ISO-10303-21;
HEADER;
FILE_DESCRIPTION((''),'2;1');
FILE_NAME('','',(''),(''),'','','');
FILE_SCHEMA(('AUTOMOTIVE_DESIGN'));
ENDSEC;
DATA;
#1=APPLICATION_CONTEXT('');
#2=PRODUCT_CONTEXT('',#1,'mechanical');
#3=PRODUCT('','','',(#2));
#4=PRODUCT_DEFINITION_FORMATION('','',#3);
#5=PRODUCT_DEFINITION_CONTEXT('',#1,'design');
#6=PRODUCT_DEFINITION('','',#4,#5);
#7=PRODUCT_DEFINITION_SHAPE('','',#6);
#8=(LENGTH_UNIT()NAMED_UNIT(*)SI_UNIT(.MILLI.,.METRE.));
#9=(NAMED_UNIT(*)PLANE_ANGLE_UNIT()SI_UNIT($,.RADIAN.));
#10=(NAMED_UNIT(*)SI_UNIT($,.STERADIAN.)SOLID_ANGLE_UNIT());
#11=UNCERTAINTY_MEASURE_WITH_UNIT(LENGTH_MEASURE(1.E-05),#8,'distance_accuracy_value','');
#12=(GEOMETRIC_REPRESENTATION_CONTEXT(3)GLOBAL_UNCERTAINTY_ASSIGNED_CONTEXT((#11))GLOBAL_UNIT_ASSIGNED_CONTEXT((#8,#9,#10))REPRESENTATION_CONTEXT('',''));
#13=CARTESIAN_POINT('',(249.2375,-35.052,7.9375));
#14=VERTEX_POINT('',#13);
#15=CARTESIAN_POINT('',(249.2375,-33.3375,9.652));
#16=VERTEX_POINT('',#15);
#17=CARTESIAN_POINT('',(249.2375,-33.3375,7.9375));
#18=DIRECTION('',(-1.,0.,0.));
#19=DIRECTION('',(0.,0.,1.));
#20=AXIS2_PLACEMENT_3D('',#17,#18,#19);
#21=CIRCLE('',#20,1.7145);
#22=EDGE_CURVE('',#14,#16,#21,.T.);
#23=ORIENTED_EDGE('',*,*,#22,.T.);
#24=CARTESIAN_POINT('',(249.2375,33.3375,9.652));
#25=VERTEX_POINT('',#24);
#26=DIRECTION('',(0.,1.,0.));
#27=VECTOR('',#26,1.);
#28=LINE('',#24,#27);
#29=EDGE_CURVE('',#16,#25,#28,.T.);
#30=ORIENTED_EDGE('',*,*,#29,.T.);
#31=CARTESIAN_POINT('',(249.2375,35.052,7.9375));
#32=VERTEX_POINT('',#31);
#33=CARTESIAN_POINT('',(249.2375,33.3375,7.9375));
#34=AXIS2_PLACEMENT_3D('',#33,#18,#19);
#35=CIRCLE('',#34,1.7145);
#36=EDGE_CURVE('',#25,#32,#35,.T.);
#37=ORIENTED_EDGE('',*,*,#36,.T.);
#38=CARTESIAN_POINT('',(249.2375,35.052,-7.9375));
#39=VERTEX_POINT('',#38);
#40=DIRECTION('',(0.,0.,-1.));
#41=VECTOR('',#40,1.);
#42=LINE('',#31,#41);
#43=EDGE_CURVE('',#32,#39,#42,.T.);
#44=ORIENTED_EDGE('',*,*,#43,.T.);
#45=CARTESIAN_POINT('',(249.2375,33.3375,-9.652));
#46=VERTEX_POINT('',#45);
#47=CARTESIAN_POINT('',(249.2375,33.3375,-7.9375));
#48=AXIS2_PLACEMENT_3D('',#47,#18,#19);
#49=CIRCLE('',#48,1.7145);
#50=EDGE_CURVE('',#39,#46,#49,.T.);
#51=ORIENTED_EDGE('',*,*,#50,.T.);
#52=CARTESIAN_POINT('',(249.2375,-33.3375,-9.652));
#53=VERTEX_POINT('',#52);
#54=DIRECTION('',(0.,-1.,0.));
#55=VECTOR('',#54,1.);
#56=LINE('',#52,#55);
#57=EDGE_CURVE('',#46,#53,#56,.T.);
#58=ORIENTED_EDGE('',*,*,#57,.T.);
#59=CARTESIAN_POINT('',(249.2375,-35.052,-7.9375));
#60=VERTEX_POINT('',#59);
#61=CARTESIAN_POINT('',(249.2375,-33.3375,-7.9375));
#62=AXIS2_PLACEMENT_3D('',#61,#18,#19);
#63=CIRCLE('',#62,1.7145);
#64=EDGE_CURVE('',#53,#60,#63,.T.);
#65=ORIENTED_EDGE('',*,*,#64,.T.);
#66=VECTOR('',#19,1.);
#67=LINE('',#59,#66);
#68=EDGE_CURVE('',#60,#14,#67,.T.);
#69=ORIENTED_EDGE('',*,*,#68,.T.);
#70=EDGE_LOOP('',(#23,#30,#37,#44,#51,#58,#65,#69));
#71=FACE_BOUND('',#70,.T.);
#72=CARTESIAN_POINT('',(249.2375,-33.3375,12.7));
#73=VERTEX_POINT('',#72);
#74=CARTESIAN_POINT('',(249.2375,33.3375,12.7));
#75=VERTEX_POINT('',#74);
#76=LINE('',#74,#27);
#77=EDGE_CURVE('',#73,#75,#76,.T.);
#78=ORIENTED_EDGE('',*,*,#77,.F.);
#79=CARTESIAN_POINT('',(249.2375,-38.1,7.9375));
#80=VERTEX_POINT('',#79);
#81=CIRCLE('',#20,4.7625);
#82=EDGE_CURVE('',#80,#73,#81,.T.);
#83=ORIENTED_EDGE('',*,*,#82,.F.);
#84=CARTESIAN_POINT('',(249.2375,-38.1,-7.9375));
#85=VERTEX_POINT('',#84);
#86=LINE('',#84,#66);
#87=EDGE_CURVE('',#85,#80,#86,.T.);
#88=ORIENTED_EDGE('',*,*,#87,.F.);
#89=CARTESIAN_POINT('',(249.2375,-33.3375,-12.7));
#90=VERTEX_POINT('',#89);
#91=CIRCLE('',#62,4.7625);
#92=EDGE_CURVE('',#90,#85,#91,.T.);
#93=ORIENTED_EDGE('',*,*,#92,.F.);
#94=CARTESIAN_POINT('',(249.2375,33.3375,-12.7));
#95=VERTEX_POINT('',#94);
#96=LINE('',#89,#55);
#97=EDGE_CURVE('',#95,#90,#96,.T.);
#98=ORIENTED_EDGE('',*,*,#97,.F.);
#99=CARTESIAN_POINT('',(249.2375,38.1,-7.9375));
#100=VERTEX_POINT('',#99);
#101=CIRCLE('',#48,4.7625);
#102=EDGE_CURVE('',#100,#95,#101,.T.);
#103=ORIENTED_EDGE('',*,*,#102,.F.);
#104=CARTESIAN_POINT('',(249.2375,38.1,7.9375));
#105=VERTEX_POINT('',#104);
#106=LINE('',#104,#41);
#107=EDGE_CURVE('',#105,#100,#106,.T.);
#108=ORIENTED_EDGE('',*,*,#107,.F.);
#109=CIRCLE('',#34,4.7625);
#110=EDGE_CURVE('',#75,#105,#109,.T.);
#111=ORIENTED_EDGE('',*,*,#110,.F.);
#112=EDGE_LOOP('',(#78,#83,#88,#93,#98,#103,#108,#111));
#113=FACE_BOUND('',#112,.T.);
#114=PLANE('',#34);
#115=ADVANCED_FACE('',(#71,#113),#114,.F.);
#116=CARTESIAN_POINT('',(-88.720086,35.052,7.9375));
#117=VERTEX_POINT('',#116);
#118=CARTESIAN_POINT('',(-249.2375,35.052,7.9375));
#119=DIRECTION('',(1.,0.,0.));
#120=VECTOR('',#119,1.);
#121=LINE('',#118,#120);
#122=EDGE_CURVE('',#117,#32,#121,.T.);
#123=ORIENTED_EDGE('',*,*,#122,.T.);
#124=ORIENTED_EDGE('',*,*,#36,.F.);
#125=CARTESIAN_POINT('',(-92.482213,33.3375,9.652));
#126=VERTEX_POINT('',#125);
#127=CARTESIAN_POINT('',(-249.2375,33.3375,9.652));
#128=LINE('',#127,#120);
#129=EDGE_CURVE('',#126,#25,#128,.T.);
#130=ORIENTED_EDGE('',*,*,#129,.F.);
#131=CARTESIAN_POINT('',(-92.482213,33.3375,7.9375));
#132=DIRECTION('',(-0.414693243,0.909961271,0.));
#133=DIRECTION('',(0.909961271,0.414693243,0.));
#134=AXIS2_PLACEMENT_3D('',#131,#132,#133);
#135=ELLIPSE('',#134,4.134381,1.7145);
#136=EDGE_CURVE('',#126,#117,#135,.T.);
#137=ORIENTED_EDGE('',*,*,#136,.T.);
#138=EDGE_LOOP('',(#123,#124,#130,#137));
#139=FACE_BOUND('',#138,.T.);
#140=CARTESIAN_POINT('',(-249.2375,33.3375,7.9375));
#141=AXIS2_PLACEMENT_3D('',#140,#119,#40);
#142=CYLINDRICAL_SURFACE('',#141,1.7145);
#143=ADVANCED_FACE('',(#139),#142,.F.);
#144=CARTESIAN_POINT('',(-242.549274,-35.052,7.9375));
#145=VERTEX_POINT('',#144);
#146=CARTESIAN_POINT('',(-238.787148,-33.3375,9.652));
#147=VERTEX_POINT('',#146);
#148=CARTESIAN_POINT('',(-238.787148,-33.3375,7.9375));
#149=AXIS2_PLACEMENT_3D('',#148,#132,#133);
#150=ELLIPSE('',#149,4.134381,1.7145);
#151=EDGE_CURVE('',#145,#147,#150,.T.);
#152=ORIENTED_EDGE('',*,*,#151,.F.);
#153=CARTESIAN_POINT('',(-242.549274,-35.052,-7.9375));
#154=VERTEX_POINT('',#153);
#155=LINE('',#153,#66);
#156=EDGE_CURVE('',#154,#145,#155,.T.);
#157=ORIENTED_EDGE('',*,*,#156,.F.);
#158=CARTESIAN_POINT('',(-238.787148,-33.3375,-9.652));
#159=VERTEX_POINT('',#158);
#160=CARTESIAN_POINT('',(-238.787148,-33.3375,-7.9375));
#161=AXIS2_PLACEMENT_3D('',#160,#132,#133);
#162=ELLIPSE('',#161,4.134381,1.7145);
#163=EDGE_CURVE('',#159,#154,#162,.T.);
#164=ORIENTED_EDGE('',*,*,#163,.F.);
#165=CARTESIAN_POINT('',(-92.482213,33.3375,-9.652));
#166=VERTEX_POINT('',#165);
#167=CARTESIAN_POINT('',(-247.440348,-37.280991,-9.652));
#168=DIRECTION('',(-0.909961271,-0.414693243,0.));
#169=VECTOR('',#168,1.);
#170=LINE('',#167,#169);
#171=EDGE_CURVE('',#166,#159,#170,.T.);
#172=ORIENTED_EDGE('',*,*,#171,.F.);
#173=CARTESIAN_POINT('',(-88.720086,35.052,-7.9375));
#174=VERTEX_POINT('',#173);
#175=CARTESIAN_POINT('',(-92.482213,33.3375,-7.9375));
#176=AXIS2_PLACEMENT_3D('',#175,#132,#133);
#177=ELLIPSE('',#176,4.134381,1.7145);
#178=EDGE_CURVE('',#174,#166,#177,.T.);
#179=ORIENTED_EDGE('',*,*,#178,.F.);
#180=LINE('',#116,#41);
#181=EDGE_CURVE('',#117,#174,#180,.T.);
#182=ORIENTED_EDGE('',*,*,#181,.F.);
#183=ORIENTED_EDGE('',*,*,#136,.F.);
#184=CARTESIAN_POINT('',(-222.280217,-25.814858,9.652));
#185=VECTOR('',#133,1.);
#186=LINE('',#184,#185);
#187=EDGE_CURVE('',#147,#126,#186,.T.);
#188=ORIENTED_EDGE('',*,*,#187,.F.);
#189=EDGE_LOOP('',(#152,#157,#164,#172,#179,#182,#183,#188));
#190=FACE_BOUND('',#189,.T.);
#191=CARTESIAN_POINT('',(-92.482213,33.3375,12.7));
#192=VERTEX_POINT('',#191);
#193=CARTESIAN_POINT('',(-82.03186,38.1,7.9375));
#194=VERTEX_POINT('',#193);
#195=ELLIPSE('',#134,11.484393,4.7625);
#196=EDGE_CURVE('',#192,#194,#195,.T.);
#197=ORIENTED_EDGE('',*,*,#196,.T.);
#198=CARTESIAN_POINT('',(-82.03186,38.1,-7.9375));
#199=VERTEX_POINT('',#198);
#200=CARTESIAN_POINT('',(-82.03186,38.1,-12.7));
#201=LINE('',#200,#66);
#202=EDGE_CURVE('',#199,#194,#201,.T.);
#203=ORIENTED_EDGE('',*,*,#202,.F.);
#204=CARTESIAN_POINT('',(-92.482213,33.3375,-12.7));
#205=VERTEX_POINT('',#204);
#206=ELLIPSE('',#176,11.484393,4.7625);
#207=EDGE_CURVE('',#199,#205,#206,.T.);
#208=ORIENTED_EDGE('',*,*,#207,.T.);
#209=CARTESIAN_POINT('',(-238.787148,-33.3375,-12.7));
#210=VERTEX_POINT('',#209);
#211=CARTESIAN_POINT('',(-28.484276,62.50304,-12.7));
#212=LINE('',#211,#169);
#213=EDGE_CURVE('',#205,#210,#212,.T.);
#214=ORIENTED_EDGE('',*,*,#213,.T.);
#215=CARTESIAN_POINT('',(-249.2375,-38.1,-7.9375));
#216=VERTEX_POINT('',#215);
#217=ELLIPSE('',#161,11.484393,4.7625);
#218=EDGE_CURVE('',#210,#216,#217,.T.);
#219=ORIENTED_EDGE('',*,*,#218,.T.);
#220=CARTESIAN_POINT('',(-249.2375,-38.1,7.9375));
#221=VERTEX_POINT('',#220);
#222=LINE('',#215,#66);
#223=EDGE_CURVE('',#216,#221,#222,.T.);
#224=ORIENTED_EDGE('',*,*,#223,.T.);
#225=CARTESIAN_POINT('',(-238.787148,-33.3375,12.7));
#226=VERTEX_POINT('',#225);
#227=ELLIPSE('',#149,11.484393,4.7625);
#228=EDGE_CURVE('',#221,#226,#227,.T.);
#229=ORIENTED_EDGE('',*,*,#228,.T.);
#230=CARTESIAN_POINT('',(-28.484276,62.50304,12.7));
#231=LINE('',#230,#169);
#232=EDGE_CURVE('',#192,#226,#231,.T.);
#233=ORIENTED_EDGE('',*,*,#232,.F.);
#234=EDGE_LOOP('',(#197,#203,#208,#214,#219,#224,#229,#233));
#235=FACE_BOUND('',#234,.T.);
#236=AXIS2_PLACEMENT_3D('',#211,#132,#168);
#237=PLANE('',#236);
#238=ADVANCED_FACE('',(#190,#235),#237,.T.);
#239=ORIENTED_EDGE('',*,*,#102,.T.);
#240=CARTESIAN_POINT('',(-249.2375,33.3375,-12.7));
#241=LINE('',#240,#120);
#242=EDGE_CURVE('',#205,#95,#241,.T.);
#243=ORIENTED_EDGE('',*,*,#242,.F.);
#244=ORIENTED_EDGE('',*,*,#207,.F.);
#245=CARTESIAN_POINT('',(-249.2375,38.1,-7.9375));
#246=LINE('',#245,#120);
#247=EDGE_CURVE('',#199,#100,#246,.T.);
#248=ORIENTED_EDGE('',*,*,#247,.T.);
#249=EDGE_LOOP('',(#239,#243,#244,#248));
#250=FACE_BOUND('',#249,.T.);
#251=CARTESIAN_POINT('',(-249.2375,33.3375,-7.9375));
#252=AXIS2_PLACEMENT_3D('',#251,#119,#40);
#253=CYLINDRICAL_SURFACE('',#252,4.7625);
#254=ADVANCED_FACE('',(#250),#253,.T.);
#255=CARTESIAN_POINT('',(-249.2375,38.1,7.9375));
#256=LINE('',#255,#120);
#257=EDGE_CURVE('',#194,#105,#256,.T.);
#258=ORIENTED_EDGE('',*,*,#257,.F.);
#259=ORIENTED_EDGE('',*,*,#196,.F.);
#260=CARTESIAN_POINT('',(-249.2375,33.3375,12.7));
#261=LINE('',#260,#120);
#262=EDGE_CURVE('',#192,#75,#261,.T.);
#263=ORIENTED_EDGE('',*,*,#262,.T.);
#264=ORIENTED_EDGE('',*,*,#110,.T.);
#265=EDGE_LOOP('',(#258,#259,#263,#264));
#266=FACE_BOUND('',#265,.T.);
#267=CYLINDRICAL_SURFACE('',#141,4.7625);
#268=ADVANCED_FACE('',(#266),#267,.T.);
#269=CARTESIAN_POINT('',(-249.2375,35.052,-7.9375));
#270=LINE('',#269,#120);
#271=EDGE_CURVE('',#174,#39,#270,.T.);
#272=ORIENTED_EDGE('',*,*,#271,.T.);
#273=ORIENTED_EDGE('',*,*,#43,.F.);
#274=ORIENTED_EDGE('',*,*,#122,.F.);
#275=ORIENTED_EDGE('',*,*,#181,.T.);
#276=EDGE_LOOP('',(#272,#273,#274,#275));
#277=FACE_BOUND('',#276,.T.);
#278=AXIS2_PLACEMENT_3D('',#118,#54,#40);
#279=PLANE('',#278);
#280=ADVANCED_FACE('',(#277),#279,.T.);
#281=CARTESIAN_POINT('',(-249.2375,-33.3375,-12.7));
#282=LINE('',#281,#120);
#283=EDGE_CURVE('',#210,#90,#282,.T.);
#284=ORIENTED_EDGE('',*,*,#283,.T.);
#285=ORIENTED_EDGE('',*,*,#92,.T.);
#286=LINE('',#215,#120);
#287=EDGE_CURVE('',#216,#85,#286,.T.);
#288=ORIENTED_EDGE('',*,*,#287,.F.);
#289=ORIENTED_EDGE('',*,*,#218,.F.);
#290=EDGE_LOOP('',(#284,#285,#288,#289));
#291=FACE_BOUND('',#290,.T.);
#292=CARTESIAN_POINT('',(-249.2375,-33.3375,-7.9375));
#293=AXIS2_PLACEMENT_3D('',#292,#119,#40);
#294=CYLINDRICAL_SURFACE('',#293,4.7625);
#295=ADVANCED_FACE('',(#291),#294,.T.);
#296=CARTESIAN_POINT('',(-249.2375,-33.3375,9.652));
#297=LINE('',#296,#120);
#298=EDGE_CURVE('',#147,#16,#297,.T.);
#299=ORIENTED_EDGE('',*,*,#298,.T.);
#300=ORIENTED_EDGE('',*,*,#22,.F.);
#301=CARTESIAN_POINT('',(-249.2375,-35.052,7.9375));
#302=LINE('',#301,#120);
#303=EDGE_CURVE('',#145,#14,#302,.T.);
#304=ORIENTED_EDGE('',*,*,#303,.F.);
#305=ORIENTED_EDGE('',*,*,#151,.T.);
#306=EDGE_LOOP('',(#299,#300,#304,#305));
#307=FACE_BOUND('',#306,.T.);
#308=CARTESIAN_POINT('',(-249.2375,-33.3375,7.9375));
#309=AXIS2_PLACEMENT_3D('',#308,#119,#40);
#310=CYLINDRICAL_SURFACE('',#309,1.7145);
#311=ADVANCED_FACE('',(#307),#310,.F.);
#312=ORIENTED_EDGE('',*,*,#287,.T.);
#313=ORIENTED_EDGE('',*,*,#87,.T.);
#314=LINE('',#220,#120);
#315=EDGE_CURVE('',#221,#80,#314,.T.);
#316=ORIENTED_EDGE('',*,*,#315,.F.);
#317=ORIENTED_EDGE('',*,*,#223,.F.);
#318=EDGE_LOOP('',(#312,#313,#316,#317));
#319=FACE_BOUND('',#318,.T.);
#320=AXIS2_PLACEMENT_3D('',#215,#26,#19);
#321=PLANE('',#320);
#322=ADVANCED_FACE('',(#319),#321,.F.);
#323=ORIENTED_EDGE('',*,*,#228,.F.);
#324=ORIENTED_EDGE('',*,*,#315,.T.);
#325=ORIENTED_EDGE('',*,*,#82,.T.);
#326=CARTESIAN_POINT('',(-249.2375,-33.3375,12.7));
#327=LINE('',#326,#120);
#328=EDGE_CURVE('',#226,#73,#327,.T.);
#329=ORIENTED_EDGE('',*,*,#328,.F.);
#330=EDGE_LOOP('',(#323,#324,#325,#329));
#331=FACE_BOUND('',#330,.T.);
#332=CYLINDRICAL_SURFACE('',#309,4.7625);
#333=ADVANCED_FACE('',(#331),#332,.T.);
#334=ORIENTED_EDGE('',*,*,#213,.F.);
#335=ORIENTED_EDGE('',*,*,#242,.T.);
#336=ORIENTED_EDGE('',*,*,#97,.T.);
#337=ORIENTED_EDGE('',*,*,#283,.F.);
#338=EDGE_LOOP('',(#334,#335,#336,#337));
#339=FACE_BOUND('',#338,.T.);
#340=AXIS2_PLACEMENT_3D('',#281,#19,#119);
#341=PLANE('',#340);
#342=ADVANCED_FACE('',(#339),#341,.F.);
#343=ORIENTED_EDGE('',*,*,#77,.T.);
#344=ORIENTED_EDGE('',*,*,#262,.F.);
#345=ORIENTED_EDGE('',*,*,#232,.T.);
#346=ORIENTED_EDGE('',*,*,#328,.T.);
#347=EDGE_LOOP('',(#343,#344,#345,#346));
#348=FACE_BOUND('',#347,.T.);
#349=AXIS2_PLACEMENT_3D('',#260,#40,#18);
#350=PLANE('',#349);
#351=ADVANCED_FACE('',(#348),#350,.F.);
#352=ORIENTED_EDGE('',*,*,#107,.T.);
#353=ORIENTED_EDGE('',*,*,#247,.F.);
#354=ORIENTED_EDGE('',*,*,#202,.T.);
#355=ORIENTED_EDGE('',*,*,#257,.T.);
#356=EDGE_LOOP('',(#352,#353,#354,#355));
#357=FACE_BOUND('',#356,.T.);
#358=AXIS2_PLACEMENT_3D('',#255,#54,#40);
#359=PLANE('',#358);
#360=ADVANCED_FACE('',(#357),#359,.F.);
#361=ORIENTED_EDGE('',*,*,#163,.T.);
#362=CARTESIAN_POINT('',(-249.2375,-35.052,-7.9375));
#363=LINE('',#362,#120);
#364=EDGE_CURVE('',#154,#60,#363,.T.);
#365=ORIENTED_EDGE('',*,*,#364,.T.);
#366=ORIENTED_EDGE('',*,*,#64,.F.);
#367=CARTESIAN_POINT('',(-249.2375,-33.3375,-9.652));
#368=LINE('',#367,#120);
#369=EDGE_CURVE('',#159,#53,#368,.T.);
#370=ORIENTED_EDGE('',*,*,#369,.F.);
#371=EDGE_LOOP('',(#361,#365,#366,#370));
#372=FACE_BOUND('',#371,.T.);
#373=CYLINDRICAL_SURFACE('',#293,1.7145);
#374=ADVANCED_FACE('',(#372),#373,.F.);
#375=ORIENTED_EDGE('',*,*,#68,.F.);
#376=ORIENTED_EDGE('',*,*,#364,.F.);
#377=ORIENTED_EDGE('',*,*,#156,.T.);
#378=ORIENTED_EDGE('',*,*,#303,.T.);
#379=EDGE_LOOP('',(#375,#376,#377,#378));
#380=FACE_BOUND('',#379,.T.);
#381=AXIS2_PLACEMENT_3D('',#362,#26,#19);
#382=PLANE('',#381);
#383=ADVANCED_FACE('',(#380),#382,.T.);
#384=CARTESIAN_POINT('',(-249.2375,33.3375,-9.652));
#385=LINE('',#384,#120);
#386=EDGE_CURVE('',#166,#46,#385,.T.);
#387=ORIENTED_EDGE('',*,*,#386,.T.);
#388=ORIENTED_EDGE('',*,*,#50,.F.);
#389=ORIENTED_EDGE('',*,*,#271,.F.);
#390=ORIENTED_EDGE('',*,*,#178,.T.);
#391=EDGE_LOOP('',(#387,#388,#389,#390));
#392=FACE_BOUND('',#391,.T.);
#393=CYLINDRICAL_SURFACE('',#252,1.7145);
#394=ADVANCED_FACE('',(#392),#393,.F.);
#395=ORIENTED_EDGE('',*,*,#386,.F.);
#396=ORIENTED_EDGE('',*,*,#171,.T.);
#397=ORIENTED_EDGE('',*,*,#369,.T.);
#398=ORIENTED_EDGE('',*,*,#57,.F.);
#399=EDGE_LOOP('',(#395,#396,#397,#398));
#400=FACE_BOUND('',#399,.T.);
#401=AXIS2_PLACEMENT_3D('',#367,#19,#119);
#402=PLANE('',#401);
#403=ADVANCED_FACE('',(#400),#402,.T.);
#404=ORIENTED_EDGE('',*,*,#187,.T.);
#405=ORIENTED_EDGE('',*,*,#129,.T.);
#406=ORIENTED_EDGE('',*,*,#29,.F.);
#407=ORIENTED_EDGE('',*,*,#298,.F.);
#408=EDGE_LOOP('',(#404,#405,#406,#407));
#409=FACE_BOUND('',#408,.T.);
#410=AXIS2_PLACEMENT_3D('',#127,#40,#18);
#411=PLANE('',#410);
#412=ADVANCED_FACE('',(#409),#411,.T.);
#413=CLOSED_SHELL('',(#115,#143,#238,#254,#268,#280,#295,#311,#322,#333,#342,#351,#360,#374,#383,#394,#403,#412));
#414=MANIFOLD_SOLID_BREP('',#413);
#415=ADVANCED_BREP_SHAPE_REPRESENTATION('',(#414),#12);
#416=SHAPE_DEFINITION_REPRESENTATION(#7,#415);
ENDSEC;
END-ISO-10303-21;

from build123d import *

# Parameters (mm, degrees)
RECTANGULAR_TUBE_3_X_2_X_0_25_1_DEPTH = 498.475
CUT_EXTRUDE1_DEPTH                    = 254.408960785


with BuildPart() as part:
    # Sketch13 → Rectangular tube 3 X 2 X 0.25(1) (new body)
    with BuildSketch(Plane.ZY.offset(-249.2375)):
        with BuildLine():
            Line((-7.9375, -38.1), (7.9375, -38.1))
            ThreePointArc((7.9375, -38.1), (11.305096045, -36.705096045), (12.7, -33.3375))
            Line((12.7, -33.3375), (12.7, 33.3375))
            ThreePointArc((12.7, 33.3375), (11.305096045, 36.705096045), (7.9375, 38.1))
            Line((7.9375, 38.1), (-7.9375, 38.1))
            ThreePointArc((-7.9375, 38.1), (-11.305096045, 36.705096045), (-12.7, 33.3375))
            Line((-12.7, 33.3375), (-12.7, -33.3375))
            ThreePointArc((-12.7, -33.3375), (-11.305096045, -36.705096045), (-7.9375, -38.1))
        make_face()
        with BuildLine():
            Line((-7.9375, -35.052), (7.9375, -35.052))
            ThreePointArc((7.9375, -35.052), (9.149834576, -34.549834576), (9.652, -33.3375))
            Line((9.652, -33.3375), (9.652, 33.3375))
            ThreePointArc((9.652, 33.3375), (9.149834576, 34.549834576), (7.9375, 35.052))
            Line((7.9375, 35.052), (-7.9375, 35.052))
            ThreePointArc((-7.9375, 35.052), (-9.149834576, 34.549834576), (-9.652, 33.3375))
            Line((-9.652, 33.3375), (-9.652, -33.3375))
            ThreePointArc((-9.652, -33.3375), (-9.149834576, -34.549834576), (-7.9375, -35.052))
        make_face(mode=Mode.SUBTRACT)
    extrude(amount=RECTANGULAR_TUBE_3_X_2_X_0_25_1_DEPTH)

    # s → Cut-Extrude1 (cut, through all)
    with BuildSketch(Plane.XY.offset(12.7)):
        Polygon((-249.2375, -38.1), (-249.2375, 38.1), (-82.031860485, 38.1), align=None)
    extrude(amount=-CUT_EXTRUDE1_DEPTH, mode=Mode.SUBTRACT)


solid = part.part
